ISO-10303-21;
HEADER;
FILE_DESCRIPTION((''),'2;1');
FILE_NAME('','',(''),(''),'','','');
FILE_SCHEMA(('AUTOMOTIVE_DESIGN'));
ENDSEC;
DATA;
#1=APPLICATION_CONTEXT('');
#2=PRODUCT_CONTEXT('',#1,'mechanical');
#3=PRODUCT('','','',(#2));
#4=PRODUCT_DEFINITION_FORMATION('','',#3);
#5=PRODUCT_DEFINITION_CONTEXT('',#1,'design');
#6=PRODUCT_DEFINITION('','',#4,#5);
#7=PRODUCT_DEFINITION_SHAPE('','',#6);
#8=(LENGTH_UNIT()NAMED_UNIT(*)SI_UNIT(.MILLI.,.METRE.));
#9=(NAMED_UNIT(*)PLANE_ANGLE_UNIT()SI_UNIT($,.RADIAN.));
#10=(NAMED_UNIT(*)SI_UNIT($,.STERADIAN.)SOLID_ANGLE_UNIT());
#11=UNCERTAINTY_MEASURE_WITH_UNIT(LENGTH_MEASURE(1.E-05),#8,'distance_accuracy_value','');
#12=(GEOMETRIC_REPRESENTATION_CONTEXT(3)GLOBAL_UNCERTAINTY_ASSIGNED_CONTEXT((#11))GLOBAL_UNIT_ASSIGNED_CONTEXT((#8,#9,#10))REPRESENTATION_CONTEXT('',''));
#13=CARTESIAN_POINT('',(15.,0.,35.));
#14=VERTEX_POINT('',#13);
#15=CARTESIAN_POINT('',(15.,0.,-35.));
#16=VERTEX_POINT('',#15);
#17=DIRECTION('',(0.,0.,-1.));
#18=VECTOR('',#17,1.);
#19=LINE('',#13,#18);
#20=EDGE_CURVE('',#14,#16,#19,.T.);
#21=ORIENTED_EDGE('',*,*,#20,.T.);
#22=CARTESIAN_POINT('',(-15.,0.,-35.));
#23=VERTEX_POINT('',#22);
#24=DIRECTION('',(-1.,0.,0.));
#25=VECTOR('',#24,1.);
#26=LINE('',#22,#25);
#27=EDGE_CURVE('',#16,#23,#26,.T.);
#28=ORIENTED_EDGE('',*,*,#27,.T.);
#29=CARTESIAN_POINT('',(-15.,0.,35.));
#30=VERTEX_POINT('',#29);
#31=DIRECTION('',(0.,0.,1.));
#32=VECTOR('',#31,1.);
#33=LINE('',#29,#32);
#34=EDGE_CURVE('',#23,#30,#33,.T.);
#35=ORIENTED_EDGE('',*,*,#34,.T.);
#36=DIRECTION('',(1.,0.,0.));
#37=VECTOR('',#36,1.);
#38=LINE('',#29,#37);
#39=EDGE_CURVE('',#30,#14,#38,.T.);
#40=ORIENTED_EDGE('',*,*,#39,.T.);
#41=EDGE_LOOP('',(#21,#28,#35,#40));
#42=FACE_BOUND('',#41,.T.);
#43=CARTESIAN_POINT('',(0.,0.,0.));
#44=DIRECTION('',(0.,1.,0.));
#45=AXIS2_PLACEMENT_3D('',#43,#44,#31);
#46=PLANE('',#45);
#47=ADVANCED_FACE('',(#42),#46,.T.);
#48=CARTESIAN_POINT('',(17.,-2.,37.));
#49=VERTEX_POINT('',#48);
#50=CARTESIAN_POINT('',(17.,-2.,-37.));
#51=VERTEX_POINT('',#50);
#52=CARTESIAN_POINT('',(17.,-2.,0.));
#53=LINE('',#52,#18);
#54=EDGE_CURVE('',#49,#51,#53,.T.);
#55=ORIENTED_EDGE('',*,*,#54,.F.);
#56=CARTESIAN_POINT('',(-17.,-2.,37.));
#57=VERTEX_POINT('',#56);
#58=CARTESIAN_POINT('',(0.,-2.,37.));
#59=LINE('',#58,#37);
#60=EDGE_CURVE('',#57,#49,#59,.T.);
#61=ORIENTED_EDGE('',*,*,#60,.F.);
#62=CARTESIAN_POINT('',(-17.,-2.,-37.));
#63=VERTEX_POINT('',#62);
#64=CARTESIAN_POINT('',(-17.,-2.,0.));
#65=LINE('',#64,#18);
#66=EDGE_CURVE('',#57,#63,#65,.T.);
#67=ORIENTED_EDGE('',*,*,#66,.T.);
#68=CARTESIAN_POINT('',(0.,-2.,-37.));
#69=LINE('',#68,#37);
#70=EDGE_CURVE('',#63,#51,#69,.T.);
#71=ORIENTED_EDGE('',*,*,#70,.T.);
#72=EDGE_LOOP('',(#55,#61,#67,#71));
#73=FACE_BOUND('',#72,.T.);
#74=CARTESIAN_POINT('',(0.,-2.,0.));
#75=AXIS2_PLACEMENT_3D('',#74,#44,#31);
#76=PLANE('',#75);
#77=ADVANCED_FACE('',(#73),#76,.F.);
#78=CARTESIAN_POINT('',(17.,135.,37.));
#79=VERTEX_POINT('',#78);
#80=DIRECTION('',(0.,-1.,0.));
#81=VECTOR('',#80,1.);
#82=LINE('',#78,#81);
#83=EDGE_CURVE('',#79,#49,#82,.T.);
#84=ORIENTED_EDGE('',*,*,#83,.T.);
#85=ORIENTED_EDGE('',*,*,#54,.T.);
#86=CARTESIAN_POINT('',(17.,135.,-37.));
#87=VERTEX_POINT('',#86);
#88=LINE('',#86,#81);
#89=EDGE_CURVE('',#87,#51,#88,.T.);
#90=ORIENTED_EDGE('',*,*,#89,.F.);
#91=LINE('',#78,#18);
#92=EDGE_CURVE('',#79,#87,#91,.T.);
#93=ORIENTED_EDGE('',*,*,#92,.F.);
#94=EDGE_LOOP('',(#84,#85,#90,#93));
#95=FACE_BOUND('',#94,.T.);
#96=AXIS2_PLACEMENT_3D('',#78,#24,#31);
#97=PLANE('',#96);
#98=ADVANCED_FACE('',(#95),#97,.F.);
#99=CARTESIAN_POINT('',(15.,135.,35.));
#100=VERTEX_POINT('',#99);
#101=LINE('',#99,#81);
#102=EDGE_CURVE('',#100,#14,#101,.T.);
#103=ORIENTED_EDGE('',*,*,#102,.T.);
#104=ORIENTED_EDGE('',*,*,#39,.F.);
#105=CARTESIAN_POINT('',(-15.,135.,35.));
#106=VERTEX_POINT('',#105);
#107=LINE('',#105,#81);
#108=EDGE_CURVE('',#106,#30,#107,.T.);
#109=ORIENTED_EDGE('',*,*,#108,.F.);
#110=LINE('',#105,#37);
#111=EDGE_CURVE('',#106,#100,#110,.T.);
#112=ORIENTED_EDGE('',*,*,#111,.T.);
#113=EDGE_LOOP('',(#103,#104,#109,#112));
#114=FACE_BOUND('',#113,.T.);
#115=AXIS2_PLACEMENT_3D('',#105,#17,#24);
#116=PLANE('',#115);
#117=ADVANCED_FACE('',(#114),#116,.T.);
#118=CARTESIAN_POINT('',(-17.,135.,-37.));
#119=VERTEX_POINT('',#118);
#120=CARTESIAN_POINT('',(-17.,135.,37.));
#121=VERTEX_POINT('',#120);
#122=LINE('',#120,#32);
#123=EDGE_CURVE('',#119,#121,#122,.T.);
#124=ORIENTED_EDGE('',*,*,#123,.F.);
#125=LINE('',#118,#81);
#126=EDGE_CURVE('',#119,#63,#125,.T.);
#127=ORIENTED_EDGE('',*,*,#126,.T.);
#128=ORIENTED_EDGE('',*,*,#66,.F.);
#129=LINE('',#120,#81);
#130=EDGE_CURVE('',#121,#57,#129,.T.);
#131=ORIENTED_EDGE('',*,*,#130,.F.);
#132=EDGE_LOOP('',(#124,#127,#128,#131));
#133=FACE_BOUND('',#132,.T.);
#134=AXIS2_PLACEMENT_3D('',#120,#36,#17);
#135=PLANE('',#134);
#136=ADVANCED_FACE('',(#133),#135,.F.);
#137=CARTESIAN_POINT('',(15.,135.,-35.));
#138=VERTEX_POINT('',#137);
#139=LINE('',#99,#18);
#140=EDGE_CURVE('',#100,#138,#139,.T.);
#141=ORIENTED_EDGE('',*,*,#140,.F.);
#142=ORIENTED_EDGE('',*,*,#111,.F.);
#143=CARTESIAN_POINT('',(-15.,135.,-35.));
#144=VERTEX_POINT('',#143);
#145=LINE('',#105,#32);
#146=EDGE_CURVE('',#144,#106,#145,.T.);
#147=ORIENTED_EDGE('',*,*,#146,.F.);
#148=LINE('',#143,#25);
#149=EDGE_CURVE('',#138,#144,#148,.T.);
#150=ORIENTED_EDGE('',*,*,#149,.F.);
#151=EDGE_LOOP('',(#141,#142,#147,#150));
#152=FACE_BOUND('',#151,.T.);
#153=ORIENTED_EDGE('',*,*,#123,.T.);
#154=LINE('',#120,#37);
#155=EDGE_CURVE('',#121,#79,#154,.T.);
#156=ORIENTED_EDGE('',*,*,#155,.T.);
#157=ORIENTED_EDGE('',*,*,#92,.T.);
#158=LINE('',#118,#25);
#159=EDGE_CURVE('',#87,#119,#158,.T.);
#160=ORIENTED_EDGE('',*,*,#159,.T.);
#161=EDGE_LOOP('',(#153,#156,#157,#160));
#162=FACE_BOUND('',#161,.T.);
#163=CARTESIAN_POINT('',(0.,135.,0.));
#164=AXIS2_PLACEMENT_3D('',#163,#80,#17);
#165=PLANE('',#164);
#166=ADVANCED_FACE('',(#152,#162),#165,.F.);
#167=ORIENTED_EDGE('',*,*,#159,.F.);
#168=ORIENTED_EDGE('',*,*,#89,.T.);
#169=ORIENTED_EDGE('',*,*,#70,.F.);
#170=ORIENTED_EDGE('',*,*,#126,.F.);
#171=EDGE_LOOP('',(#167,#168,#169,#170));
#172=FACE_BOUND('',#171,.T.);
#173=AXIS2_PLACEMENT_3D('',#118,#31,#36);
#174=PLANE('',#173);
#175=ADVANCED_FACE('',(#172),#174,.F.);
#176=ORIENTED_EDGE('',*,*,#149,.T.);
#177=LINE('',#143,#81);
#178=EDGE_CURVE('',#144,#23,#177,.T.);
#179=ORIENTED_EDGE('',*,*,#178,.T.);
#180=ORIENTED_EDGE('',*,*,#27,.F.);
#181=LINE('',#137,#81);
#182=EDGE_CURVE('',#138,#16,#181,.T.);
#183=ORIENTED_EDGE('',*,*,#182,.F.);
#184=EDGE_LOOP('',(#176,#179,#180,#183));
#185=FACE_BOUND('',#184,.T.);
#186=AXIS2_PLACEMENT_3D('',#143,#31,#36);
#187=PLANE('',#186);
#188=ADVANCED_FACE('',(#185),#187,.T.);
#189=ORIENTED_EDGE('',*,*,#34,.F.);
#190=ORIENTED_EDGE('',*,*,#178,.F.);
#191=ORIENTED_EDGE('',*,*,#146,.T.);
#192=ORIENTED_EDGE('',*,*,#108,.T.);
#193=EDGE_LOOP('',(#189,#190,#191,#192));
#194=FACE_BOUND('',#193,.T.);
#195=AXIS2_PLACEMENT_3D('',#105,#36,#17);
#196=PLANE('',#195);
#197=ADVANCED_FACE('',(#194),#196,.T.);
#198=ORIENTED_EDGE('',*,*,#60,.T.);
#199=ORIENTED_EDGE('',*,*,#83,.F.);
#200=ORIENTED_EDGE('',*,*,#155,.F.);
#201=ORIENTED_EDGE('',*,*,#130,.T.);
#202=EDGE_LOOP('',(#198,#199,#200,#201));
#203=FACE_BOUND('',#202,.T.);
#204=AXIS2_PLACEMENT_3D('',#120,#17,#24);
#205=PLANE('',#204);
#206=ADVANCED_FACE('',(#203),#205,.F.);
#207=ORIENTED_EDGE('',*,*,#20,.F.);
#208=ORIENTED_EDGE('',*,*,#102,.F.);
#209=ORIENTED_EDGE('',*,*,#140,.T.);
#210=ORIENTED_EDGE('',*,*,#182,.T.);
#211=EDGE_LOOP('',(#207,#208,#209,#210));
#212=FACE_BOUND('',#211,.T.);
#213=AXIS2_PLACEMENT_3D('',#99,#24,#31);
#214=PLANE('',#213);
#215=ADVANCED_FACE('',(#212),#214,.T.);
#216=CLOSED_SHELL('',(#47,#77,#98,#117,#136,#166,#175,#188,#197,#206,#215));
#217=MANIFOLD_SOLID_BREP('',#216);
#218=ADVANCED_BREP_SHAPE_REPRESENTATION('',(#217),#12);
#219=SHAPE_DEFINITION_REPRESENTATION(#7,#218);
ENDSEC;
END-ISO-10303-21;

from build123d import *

# Parameters (mm, degrees)
ESQUISSE1_W        = 34
ESQUISSE1_H        = 74
ESQUISSE1_W_2      = 30
ESQUISSE1_H_2      = 70
BOSS_EXTRU_1_DEPTH = 135
ESQUISSE1_2_W      = 34
ESQUISSE1_2_H      = 74
BOSS_EXTRU_2_DEPTH = 2


with BuildPart() as part:
    # Esquisse1 → Boss.-Extru.1 (new body)
    with BuildSketch(Plane(origin=(0, 0, 0), x_dir=(1, 0, 0), z_dir=(0, 1, 0))):
        Rectangle(ESQUISSE1_W, ESQUISSE1_H)
        Rectangle(ESQUISSE1_W_2, ESQUISSE1_H_2, mode=Mode.SUBTRACT)
    extrude(amount=BOSS_EXTRU_1_DEPTH)

    # Esquisse1<2> → Boss.-Extru.2 (add)
    with BuildSketch(Plane(origin=(0, 0, 0), x_dir=(1, 0, 0), z_dir=(0, 1, 0))):
        Rectangle(ESQUISSE1_2_W, ESQUISSE1_2_H)
    extrude(amount=-BOSS_EXTRU_2_DEPTH)


solid = part.part
